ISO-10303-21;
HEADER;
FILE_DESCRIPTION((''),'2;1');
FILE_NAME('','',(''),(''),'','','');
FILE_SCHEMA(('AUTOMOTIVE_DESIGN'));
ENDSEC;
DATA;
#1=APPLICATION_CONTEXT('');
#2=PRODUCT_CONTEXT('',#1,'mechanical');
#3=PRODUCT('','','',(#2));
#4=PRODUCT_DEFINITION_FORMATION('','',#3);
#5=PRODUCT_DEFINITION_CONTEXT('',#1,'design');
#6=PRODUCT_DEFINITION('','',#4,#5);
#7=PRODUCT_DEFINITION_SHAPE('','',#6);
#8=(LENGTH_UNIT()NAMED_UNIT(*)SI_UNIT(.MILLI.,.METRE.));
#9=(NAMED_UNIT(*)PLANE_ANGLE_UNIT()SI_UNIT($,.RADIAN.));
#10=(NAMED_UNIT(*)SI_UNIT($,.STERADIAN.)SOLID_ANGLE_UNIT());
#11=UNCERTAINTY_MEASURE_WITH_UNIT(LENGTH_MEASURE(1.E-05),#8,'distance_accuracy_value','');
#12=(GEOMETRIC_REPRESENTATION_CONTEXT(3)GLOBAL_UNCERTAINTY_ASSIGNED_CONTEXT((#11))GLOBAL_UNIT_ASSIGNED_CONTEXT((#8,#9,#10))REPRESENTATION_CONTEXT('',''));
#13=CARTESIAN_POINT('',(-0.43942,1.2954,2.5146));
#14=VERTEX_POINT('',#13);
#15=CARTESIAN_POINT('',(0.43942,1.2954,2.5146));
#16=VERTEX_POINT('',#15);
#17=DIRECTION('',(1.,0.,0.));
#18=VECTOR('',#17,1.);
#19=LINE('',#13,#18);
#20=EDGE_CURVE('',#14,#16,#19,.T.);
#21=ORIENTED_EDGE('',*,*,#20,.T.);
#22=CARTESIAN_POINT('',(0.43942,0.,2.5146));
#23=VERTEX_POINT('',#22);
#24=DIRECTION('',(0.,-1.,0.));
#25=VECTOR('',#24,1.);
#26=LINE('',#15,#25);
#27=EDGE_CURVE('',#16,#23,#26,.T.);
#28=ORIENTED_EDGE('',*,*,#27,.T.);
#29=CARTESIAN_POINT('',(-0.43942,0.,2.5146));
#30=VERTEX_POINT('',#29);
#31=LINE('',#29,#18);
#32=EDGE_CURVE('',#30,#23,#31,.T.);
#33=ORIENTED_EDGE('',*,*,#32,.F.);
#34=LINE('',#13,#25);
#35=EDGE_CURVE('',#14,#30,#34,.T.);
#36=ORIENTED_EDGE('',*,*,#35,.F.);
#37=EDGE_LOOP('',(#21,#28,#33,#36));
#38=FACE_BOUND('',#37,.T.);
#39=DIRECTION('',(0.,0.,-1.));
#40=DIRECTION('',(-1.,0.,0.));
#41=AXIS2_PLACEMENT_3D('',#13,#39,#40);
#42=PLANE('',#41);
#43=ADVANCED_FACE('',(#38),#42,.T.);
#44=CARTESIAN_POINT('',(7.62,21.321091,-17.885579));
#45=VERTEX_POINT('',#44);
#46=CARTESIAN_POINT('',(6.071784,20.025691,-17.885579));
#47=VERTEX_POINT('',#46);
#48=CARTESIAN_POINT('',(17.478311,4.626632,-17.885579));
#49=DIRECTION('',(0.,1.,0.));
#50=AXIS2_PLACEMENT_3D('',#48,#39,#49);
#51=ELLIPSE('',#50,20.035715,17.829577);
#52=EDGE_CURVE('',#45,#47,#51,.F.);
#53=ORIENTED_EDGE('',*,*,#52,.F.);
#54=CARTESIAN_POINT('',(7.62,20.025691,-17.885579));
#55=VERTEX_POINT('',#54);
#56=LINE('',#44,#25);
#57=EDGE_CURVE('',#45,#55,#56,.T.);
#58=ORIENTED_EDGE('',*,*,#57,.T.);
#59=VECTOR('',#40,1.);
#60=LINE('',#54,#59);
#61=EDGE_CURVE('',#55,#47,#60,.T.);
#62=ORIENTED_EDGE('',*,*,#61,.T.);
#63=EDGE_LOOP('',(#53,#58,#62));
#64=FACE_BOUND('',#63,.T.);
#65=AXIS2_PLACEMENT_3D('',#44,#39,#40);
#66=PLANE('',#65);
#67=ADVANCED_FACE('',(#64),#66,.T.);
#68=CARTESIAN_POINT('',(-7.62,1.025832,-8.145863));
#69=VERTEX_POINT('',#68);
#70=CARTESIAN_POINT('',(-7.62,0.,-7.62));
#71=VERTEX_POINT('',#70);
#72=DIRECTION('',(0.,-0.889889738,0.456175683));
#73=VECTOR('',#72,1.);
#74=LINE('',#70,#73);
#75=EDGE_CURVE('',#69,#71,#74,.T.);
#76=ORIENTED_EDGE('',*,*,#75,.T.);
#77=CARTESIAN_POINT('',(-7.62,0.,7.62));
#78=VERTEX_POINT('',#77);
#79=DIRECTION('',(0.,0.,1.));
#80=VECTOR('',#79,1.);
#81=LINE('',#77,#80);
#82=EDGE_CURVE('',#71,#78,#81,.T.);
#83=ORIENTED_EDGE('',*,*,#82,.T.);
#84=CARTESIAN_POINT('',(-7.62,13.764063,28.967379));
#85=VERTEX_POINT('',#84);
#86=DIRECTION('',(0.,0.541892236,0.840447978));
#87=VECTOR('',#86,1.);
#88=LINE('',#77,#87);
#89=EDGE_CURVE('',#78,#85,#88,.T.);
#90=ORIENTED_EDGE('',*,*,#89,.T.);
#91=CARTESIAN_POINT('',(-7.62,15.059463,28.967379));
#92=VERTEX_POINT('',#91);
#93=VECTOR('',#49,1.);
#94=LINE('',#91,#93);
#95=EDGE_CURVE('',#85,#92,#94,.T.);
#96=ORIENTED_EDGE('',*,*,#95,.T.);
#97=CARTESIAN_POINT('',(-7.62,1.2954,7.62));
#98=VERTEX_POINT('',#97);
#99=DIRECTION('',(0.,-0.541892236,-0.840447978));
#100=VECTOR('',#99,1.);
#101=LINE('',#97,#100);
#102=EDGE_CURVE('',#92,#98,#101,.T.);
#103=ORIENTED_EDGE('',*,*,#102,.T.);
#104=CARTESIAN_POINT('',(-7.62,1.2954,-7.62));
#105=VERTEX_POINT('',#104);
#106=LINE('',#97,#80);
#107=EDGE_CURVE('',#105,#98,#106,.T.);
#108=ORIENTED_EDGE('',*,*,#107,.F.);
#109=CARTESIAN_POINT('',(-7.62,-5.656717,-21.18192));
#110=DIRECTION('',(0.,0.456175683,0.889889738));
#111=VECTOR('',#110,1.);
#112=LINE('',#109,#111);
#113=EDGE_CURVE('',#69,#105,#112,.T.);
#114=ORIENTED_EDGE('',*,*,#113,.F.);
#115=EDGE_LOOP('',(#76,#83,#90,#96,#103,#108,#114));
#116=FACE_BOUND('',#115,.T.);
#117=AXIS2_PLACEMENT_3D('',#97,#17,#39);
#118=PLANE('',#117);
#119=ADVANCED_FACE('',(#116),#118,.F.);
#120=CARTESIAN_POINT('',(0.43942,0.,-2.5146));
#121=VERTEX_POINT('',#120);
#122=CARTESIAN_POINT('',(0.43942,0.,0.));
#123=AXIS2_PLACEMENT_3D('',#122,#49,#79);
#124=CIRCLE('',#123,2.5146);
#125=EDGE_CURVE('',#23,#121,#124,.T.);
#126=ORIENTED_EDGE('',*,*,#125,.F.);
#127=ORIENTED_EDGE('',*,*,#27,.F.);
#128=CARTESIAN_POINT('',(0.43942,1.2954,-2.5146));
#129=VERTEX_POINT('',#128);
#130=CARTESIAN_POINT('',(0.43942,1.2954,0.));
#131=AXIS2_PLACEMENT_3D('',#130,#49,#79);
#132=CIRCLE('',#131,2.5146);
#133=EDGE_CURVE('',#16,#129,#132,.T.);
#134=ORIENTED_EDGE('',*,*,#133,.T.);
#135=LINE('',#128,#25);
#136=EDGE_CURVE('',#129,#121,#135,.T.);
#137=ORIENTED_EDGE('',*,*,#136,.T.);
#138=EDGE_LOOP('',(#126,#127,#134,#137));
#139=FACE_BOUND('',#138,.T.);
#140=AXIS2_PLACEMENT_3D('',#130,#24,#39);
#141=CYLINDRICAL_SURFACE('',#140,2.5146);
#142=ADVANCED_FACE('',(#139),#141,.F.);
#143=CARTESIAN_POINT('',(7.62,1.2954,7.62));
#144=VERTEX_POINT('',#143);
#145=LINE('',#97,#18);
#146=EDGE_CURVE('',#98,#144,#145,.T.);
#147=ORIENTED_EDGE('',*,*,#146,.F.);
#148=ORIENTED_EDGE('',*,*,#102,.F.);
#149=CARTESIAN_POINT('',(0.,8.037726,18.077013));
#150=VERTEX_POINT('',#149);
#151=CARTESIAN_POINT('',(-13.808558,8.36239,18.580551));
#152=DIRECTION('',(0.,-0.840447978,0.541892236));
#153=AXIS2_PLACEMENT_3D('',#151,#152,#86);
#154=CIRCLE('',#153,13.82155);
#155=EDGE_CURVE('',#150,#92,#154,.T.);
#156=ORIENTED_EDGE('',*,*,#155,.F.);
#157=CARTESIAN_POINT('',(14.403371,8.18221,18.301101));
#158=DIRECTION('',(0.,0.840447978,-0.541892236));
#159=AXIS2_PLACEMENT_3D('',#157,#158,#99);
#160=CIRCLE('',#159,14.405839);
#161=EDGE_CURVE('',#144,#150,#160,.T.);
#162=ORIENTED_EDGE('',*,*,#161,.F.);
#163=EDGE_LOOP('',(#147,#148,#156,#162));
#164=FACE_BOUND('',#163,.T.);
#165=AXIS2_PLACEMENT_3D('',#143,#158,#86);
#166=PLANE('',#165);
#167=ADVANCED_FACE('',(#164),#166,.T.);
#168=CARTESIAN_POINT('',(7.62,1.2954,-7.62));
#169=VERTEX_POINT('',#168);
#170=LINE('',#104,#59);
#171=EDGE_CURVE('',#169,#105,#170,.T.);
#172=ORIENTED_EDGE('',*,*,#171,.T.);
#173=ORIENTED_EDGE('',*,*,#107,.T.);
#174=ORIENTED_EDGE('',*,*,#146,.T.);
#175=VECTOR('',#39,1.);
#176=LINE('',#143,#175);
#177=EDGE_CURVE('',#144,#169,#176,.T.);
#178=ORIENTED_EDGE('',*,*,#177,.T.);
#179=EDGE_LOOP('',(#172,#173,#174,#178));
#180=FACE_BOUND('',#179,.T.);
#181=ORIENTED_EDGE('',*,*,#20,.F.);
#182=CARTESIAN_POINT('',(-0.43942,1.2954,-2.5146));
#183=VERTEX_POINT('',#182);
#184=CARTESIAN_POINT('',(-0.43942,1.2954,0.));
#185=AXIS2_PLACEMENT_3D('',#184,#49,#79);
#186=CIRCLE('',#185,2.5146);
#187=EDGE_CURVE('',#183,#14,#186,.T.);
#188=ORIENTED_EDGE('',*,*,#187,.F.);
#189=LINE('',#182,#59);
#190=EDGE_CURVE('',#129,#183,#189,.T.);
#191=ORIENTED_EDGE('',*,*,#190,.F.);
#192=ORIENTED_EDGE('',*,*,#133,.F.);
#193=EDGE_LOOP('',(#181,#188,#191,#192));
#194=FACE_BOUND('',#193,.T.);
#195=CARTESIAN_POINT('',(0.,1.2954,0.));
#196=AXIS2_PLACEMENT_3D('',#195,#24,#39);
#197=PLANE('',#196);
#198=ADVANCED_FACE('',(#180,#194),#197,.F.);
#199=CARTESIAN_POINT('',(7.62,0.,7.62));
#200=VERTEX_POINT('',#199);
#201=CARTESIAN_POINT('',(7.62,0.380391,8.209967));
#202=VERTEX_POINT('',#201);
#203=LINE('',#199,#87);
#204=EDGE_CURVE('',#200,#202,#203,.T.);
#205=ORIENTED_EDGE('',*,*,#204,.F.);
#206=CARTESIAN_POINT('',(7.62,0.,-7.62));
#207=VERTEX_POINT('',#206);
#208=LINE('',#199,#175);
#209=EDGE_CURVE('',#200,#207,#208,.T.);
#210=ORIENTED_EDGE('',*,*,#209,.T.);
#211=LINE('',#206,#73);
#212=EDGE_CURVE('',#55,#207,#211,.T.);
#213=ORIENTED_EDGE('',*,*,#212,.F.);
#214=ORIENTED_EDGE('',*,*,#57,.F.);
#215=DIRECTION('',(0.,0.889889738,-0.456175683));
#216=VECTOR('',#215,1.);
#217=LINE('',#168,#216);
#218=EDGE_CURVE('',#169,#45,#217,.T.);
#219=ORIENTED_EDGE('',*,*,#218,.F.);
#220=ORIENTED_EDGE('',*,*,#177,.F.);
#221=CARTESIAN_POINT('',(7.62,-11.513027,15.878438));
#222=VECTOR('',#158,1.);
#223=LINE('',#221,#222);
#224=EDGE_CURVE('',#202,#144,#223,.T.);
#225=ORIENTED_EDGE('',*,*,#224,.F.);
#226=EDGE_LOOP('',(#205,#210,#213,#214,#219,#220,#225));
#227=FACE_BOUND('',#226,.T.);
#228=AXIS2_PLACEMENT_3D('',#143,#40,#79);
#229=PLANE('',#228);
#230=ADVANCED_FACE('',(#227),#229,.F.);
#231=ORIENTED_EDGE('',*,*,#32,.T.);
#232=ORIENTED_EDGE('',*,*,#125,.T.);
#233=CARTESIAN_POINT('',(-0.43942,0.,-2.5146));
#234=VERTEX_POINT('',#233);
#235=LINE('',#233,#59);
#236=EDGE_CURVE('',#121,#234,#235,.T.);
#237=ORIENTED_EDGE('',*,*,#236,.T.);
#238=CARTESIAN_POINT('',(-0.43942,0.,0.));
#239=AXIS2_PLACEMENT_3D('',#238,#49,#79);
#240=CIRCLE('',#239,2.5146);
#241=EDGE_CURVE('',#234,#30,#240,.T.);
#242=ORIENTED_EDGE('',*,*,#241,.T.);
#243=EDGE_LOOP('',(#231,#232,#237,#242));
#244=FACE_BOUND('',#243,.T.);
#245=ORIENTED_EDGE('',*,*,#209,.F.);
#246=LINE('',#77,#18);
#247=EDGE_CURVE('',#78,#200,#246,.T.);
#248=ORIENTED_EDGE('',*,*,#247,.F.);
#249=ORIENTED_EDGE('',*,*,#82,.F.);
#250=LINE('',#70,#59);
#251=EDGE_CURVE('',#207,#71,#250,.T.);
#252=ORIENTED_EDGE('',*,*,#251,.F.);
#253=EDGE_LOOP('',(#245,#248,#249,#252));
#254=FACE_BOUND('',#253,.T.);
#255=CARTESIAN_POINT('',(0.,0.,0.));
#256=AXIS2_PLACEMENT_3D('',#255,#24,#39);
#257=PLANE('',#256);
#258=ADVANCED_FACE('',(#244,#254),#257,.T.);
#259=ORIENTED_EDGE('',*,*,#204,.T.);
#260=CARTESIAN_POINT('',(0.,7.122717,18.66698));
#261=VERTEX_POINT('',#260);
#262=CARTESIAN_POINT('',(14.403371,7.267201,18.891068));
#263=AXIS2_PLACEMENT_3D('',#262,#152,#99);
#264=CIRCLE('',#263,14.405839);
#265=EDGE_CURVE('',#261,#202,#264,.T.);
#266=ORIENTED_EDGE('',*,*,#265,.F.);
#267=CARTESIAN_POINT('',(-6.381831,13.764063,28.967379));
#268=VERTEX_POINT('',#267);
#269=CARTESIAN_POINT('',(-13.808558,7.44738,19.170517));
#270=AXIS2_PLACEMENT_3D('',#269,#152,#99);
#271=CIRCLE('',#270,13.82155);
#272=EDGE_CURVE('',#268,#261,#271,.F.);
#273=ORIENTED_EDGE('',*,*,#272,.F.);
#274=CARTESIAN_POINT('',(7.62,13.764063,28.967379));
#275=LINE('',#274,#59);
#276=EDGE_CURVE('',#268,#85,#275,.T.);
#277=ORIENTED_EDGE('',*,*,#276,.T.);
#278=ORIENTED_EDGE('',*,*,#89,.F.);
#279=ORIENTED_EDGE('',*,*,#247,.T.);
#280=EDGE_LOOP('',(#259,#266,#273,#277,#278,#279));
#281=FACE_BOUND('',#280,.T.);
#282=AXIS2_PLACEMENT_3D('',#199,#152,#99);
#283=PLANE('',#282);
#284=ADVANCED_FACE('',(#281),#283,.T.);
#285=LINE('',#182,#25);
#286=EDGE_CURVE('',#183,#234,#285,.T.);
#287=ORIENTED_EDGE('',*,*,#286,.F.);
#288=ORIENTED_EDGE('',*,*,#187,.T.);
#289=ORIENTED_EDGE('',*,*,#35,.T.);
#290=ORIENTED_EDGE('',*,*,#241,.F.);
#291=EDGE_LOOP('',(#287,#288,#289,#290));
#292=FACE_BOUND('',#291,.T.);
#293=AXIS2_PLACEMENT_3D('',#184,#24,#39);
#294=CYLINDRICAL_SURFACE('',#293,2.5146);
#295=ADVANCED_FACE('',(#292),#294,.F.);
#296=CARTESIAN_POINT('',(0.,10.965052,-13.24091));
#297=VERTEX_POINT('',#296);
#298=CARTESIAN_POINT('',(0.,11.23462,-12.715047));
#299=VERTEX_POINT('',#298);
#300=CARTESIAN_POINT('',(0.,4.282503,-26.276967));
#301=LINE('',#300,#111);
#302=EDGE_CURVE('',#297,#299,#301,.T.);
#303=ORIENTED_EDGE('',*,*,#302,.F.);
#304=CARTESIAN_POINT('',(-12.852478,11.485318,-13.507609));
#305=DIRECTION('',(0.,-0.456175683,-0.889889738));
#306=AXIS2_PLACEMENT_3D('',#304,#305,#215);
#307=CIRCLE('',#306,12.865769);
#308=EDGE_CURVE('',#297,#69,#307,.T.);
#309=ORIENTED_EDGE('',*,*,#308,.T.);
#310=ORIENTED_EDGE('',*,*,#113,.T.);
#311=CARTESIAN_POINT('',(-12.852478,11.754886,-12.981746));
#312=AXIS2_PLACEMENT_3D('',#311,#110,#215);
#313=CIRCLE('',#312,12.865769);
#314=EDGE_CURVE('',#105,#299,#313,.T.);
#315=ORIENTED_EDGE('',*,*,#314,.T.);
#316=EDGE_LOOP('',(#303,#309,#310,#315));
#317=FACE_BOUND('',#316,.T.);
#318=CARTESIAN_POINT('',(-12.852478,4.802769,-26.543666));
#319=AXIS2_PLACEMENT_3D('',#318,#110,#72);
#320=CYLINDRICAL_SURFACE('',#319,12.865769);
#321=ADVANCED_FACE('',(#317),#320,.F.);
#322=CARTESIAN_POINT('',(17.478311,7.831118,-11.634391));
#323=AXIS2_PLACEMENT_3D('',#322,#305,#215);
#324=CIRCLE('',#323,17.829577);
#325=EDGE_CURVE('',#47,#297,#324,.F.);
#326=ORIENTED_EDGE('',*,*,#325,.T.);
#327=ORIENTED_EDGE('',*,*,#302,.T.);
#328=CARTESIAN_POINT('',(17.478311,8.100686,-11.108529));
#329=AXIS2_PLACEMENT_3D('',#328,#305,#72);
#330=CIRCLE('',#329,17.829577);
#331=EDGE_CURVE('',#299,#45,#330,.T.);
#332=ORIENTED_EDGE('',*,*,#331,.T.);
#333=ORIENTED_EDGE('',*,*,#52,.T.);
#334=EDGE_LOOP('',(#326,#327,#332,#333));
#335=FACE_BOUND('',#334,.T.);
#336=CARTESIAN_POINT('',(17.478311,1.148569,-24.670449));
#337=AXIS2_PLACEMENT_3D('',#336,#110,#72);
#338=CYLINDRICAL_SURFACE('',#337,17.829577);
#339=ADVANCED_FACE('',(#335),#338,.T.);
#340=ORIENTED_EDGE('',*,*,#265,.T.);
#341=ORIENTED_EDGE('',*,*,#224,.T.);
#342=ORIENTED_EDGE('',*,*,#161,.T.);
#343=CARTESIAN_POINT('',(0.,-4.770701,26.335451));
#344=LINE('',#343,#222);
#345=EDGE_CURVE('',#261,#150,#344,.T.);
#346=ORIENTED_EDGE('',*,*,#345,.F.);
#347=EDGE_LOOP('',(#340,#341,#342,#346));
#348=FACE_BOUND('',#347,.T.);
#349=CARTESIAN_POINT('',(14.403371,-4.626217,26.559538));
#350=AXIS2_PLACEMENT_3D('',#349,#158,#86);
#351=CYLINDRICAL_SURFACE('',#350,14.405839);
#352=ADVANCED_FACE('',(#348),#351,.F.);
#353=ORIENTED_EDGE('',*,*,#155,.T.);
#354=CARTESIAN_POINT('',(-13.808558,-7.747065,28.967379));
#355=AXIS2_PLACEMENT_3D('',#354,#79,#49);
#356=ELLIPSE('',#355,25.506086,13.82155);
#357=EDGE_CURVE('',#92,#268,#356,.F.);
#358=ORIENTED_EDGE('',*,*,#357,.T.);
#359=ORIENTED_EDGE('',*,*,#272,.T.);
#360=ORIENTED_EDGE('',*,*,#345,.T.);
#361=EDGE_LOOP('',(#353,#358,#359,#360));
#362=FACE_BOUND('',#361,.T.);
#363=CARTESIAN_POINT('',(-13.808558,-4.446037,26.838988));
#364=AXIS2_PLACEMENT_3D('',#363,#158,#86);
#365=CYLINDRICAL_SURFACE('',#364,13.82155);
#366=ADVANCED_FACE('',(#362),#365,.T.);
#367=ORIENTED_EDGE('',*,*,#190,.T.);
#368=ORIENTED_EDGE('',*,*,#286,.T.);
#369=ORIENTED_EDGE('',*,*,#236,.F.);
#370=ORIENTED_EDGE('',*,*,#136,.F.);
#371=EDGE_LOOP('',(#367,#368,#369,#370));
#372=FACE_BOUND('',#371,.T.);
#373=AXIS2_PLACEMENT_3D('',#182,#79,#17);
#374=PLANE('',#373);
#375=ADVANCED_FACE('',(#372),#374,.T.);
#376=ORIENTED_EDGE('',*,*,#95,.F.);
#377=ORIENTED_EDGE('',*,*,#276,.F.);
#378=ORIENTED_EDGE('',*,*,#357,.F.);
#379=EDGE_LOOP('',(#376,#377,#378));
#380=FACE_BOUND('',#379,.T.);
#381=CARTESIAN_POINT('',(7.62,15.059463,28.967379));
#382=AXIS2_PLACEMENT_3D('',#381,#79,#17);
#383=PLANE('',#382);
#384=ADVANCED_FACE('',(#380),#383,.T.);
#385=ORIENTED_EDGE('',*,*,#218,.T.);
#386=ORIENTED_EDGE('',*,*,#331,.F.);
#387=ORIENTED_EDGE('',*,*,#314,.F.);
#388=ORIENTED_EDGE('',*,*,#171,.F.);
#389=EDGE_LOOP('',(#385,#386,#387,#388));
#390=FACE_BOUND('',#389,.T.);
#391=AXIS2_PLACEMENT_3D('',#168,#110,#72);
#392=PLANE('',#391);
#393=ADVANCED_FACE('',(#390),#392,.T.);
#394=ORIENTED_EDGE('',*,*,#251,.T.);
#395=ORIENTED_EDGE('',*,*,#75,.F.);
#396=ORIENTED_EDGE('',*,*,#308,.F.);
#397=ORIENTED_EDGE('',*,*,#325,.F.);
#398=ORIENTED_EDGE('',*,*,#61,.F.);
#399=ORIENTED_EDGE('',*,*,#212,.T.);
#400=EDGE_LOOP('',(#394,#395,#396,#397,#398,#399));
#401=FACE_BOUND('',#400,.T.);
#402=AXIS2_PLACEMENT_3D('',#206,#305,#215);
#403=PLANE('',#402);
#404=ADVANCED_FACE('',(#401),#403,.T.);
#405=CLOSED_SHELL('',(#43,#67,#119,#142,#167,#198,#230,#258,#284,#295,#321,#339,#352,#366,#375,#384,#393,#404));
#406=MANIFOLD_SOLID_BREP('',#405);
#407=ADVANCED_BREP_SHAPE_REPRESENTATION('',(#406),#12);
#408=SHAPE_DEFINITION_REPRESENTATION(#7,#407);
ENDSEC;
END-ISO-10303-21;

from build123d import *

# Parameters (mm, degrees)
SKETCH1_W           = 15.24
SKETCH1_H           = 15.24
BOSS_EXTRUDE1_DEPTH = 1.2954
BOSS_EXTRUDE2_DEPTH = 15.24
CUT_EXTRUDE1_DEPTH  = 15.24
CUT_EXTRUDE2_DEPTH  = 15.24


with BuildPart() as part:
    # Sketch1 → Boss-Extrude1 (new body)
    with BuildSketch(Plane(origin=(0, 0, 0), x_dir=(1, 0, 0), z_dir=(0, 1, 0))):
        Rectangle(SKETCH1_W, SKETCH1_H)
        with BuildLine():
            Line((-0.43942, 2.5146), (0.43942, 2.5146))
            ThreePointArc((0.43942, 2.5146), (2.95402, 0), (0.43942, -2.5146))
            Line((0.43942, -2.5146), (-0.43942, -2.5146))
            ThreePointArc((-0.43942, -2.5146), (-2.95402, 0), (-0.43942, 2.5146))
        make_face(mode=Mode.SUBTRACT)
    extrude(amount=BOSS_EXTRUDE1_DEPTH)

    # Sketch3 → Boss-Extrude2 (add)
    with BuildSketch(Plane.ZY.offset(7.62)):
        Polygon((7.62, 1.2954), (28.967378653, 15.059462796), (28.967378653, 13.764062796), (7.62, 0), align=None)
        Polygon((-7.62, 1.2954), (-17.885578899, 21.321091109), (-17.885578899, 20.025691109), (-7.62, 0), align=None)
    extrude(amount=-BOSS_EXTRUDE2_DEPTH)

    # Sketch4 → Cut-Extrude1 (cut)
    with BuildSketch(Plane(origin=(0, -2.555384203, 1.647624714), x_dir=(1, 0, 0), z_dir=(0, 0.840447978, -0.541892236))):
        with BuildLine():
            Line((7.62, -7.106180798), (7.62, -32.506180798))
            Line((7.62, -32.506180798), (-7.62, -32.506180798))
            ThreePointArc((-7.62, -32.506180798), (-1.894391171, -27.153773172), (0, -19.548370753))
            ThreePointArc((0, -19.548370753), (2.118358532, -12.291259766), (7.62, -7.106180798))
        make_face()
    extrude(amount=-CUT_EXTRUDE1_DEPTH, mode=Mode.SUBTRACT)

    # Sketch5 → Cut-Extrude2 (cut)
    with BuildSketch(Plane(origin=(0, -2.823741084, -5.508444021), x_dir=(1, 0, 0), z_dir=(0, 0.456175683, 0.889889738))):
        with BuildLine():
            Line((-7.62, 4.628821871), (-7.62, 27.132386357))
            Line((-7.62, 27.132386357), (7.62, 27.132386357))
            ThreePointArc((7.62, 27.132386357), (2.681671235, 22.223683301), (0, 15.797868484))
            ThreePointArc((0, 15.797868484), (-2.22452861, 9.131668969), (-7.62, 4.628821871))
        make_face()
    extrude(amount=-CUT_EXTRUDE2_DEPTH, mode=Mode.SUBTRACT)


solid = part.part
